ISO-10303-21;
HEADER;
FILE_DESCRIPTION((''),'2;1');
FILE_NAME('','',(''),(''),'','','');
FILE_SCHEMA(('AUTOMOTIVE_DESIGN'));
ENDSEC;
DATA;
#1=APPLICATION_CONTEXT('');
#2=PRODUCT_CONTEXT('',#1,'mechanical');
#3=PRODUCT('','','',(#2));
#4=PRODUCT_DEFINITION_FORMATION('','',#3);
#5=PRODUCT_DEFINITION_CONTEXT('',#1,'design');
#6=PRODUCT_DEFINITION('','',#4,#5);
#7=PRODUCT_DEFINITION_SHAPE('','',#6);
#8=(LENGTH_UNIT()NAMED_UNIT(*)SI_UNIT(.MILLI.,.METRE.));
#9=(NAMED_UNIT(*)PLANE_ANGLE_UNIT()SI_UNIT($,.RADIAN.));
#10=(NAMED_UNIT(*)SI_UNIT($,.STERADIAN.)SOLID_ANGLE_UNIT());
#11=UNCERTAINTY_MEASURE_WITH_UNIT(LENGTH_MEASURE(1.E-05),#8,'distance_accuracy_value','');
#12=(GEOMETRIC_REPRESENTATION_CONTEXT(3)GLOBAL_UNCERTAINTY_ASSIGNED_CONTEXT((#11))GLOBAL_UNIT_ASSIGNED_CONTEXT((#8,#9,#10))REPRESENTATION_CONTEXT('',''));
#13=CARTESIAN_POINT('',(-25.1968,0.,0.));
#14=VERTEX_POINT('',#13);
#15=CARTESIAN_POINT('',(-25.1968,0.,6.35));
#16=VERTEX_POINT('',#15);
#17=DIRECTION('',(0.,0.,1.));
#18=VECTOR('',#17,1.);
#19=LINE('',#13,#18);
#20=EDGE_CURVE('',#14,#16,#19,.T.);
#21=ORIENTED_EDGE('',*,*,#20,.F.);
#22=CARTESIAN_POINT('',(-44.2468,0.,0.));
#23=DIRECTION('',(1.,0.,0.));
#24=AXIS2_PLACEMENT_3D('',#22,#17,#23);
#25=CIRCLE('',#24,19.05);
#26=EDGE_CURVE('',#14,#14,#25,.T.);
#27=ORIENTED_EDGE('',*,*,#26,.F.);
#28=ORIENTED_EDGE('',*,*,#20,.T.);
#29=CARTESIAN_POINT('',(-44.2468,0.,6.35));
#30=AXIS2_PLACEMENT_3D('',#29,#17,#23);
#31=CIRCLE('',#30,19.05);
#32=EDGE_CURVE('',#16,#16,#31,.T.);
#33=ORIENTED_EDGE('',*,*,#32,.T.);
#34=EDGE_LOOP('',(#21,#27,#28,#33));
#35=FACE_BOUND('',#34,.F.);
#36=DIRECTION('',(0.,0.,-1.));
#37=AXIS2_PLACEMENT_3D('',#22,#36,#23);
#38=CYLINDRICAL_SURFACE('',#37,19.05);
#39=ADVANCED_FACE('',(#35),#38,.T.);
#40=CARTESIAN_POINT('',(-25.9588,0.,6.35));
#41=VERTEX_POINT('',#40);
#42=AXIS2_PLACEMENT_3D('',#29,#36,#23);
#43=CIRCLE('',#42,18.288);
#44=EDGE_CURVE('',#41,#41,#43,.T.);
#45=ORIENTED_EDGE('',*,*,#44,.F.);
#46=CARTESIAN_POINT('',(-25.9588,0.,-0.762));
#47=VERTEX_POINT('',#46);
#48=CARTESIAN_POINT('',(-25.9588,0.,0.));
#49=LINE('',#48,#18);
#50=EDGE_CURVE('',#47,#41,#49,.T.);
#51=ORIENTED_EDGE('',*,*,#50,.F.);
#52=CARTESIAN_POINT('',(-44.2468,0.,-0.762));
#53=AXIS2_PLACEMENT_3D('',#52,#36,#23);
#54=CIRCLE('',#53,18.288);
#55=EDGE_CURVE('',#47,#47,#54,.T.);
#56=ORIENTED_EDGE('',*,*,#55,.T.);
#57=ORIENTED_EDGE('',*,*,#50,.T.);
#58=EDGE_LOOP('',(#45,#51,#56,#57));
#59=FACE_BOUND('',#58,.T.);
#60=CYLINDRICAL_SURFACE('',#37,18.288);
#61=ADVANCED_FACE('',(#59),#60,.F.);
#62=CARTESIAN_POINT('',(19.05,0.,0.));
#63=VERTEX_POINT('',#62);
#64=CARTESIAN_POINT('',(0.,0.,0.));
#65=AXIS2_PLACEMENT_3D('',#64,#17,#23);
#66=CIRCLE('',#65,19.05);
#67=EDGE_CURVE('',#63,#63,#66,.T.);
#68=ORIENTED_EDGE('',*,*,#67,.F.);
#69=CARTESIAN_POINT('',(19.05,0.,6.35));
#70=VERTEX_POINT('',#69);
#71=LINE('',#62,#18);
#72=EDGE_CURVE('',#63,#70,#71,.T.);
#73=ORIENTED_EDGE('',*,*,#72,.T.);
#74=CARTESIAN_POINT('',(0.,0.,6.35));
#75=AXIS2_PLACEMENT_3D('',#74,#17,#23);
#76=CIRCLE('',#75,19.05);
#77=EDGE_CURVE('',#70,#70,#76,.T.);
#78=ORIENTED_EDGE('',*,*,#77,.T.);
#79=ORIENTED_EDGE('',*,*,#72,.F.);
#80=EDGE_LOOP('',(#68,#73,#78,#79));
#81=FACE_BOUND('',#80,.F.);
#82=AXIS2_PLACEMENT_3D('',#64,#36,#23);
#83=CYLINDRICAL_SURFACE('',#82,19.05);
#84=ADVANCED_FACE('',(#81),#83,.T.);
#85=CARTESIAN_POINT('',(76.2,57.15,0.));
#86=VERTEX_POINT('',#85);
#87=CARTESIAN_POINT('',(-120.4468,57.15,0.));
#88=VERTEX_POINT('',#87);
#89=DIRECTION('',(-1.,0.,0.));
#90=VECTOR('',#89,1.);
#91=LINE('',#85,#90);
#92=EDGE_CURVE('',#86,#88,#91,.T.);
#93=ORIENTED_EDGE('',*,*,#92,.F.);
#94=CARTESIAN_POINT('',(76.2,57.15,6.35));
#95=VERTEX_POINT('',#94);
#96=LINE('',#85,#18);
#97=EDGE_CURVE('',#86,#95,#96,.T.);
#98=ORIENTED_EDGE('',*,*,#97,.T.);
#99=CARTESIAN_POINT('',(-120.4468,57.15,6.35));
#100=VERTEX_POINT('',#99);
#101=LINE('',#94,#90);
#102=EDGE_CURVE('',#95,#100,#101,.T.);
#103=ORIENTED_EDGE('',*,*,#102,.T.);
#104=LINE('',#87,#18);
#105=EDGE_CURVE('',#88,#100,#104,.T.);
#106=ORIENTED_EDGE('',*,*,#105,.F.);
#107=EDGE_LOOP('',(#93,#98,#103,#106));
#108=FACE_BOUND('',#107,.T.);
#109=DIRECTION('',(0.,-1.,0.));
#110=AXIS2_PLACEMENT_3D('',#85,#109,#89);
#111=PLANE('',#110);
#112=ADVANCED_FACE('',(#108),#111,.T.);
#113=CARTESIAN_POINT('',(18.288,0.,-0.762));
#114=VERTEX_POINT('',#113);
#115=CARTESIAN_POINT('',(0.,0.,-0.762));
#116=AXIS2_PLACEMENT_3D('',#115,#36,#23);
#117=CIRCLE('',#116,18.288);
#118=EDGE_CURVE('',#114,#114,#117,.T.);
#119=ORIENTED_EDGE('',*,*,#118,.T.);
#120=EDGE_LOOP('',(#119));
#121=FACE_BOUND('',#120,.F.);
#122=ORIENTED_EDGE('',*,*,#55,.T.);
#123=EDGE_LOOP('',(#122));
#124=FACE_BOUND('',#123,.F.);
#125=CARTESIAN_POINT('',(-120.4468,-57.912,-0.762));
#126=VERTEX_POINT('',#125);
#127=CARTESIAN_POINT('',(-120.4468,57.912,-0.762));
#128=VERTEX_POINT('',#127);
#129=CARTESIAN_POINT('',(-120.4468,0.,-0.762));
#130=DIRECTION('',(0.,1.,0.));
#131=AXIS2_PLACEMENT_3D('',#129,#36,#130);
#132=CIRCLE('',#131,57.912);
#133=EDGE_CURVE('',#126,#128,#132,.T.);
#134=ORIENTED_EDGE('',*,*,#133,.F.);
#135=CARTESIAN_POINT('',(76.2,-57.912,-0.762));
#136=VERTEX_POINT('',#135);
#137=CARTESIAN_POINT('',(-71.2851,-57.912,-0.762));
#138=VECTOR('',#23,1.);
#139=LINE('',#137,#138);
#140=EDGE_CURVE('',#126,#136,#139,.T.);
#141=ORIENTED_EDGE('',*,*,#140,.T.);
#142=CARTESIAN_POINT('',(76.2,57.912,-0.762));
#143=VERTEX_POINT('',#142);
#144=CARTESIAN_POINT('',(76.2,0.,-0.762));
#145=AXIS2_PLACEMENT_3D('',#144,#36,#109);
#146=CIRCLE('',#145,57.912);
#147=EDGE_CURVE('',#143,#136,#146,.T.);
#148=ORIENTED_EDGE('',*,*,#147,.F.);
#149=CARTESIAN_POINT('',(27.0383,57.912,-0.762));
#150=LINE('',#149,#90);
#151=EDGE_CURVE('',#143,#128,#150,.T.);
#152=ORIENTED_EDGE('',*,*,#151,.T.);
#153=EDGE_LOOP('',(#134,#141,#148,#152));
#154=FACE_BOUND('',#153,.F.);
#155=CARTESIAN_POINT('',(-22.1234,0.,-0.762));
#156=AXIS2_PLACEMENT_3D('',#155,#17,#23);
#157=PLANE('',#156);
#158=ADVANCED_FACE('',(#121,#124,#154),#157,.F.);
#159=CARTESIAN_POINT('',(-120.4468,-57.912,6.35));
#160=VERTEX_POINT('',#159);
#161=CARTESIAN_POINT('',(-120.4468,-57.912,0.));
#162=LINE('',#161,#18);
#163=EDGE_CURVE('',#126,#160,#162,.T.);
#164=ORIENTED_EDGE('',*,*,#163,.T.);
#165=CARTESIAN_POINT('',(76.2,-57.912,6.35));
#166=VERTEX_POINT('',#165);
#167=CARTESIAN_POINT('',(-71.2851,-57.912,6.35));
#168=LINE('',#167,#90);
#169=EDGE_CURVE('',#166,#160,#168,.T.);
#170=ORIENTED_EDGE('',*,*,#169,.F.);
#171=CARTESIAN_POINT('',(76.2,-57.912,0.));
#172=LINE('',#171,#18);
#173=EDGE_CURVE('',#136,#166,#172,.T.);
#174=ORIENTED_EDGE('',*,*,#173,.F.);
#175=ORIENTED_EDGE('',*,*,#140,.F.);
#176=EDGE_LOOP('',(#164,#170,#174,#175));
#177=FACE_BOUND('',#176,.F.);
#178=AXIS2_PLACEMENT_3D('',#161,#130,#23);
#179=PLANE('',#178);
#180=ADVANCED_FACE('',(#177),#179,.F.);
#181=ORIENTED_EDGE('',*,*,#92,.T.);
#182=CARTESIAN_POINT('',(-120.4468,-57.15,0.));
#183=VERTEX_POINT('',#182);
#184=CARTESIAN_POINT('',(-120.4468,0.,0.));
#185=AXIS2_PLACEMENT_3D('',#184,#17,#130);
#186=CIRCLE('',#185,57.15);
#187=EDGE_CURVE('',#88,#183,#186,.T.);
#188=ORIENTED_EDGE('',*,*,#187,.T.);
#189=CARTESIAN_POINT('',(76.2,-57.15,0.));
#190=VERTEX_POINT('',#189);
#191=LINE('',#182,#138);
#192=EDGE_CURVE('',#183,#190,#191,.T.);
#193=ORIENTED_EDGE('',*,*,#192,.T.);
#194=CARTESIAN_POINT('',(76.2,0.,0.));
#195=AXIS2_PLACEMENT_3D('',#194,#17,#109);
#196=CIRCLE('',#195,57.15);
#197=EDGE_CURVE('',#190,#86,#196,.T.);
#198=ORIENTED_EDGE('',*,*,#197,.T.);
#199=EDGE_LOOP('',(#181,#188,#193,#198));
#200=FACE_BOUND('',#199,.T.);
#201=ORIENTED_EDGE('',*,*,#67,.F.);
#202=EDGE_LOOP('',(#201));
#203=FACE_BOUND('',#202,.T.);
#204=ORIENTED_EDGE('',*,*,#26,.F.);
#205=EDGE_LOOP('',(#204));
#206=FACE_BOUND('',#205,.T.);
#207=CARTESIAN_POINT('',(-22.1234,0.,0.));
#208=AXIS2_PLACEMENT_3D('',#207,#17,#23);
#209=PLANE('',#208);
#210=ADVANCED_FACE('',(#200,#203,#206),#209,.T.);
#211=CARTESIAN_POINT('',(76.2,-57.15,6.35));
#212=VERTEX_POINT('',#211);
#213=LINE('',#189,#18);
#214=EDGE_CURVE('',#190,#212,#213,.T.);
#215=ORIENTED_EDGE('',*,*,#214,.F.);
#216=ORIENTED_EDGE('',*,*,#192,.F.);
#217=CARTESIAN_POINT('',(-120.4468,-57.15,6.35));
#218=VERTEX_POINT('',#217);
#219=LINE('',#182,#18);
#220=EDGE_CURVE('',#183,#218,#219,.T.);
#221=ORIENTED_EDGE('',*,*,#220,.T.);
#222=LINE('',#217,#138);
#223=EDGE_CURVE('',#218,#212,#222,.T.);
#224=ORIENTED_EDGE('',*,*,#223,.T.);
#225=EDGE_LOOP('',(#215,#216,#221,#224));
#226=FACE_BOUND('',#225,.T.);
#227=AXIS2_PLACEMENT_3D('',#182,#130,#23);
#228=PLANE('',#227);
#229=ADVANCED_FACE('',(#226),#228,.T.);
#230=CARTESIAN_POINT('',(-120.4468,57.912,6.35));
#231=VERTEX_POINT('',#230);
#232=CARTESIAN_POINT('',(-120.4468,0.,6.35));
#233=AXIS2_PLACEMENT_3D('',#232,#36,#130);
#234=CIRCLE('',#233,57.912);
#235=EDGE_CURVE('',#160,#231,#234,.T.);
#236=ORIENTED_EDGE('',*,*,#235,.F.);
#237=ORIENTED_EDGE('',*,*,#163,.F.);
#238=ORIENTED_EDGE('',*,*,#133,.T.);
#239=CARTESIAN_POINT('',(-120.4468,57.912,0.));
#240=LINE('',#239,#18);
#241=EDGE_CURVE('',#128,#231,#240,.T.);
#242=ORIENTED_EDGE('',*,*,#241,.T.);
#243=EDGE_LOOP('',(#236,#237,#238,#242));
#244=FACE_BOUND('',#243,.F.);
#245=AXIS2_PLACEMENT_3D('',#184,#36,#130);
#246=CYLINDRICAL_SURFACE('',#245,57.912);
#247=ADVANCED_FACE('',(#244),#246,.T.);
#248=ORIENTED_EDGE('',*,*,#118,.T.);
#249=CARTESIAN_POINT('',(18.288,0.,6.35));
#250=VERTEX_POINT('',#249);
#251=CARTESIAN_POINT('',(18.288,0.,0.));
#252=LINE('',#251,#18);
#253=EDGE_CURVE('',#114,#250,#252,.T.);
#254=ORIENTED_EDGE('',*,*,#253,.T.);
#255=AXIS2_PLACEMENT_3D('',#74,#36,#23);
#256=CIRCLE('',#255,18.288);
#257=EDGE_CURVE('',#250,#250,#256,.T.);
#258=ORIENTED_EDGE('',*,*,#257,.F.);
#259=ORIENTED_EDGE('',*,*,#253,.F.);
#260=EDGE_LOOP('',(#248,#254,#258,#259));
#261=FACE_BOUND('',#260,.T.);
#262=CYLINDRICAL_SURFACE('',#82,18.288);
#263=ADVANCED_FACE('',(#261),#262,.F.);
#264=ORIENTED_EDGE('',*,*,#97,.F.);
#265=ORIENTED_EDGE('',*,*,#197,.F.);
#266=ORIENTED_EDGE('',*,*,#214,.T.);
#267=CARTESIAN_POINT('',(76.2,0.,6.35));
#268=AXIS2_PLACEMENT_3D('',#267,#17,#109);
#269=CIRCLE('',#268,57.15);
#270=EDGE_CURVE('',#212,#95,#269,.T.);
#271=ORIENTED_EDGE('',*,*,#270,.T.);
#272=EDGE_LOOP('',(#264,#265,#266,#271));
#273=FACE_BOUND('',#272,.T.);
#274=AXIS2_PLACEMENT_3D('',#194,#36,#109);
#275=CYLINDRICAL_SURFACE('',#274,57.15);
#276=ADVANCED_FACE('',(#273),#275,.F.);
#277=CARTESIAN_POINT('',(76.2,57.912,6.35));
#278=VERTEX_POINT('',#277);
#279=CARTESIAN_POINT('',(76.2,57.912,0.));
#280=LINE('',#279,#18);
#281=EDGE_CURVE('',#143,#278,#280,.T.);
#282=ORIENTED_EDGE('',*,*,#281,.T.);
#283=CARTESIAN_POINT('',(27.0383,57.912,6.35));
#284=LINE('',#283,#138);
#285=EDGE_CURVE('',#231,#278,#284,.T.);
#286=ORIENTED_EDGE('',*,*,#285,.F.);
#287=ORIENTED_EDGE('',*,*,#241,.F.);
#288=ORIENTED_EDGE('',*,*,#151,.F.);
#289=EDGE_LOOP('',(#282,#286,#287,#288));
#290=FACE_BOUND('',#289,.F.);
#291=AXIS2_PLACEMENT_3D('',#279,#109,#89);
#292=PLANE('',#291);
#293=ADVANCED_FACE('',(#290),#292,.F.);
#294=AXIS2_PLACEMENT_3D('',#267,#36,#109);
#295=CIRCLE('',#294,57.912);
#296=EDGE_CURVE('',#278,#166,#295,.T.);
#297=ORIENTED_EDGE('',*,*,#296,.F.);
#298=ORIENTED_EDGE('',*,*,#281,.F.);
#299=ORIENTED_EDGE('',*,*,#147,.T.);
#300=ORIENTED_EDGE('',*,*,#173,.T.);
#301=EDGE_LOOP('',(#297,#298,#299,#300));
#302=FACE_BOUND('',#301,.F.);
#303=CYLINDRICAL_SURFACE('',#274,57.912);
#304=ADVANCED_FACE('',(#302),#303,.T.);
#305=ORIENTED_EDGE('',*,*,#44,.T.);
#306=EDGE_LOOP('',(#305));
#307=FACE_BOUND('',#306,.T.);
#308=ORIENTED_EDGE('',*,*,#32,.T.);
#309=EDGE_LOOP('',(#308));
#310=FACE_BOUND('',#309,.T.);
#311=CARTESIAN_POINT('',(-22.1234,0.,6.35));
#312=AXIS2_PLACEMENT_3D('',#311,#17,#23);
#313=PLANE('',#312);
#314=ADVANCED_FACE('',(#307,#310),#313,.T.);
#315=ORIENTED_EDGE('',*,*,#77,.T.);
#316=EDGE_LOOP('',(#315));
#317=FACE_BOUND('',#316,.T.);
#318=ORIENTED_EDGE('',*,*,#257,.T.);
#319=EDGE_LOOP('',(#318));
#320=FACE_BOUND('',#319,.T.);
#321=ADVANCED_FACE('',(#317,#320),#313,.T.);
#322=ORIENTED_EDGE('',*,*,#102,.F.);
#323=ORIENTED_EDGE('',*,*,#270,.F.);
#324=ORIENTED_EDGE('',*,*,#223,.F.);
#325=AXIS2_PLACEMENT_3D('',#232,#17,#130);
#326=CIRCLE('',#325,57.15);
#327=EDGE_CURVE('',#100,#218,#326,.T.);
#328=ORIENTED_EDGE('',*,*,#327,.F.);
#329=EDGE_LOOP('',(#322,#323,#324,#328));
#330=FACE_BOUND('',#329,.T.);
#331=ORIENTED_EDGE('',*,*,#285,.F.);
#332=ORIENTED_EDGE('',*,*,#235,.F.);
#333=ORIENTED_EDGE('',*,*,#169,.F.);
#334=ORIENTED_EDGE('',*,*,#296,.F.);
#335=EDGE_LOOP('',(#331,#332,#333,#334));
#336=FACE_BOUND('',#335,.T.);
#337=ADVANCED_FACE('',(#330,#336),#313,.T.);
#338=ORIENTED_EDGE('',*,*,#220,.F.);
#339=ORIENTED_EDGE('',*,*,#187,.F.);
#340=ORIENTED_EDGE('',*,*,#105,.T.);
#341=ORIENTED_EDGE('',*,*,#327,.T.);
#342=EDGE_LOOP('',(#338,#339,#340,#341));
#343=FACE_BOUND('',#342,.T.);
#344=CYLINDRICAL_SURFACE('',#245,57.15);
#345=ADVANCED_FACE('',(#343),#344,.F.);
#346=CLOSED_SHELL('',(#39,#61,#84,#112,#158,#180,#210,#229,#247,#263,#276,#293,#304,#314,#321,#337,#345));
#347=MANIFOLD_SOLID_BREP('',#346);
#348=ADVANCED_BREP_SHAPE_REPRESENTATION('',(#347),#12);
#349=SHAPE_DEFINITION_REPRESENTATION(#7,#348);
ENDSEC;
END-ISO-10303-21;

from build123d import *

# Parameters (mm, degrees)
F0_R     = 19.05
F1_DEPTH = 6.35
F2_T     = 0.762


with BuildPart() as f1:
    # F0 (on Top) → F1 (new body)
    with BuildSketch(Plane.XY):
        with BuildLine():
            Line((76.2, 57.15), (-120.4468, 57.15))
            ThreePointArc((-120.4468, 57.15), (-177.5968, 0), (-120.4468, -57.15))
            Line((-120.4468, -57.15), (76.2, -57.15))
            ThreePointArc((76.2, -57.15), (133.35, 0), (76.2, 57.15))
        make_face()
        with Locations((-44.2468, 0)):
            Circle(F0_R, mode=Mode.SUBTRACT)
        Circle(F0_R, mode=Mode.SUBTRACT)
    extrude(amount=F1_DEPTH)

    # F2
    f2_openings = [f1.faces().sort_by_distance(p)[0] for p in [
        (-22.1234, 0, 6.35),
    ]]
    offset(amount=F2_T, openings=f2_openings, kind=Kind.INTERSECTION)


solid = f1.part
